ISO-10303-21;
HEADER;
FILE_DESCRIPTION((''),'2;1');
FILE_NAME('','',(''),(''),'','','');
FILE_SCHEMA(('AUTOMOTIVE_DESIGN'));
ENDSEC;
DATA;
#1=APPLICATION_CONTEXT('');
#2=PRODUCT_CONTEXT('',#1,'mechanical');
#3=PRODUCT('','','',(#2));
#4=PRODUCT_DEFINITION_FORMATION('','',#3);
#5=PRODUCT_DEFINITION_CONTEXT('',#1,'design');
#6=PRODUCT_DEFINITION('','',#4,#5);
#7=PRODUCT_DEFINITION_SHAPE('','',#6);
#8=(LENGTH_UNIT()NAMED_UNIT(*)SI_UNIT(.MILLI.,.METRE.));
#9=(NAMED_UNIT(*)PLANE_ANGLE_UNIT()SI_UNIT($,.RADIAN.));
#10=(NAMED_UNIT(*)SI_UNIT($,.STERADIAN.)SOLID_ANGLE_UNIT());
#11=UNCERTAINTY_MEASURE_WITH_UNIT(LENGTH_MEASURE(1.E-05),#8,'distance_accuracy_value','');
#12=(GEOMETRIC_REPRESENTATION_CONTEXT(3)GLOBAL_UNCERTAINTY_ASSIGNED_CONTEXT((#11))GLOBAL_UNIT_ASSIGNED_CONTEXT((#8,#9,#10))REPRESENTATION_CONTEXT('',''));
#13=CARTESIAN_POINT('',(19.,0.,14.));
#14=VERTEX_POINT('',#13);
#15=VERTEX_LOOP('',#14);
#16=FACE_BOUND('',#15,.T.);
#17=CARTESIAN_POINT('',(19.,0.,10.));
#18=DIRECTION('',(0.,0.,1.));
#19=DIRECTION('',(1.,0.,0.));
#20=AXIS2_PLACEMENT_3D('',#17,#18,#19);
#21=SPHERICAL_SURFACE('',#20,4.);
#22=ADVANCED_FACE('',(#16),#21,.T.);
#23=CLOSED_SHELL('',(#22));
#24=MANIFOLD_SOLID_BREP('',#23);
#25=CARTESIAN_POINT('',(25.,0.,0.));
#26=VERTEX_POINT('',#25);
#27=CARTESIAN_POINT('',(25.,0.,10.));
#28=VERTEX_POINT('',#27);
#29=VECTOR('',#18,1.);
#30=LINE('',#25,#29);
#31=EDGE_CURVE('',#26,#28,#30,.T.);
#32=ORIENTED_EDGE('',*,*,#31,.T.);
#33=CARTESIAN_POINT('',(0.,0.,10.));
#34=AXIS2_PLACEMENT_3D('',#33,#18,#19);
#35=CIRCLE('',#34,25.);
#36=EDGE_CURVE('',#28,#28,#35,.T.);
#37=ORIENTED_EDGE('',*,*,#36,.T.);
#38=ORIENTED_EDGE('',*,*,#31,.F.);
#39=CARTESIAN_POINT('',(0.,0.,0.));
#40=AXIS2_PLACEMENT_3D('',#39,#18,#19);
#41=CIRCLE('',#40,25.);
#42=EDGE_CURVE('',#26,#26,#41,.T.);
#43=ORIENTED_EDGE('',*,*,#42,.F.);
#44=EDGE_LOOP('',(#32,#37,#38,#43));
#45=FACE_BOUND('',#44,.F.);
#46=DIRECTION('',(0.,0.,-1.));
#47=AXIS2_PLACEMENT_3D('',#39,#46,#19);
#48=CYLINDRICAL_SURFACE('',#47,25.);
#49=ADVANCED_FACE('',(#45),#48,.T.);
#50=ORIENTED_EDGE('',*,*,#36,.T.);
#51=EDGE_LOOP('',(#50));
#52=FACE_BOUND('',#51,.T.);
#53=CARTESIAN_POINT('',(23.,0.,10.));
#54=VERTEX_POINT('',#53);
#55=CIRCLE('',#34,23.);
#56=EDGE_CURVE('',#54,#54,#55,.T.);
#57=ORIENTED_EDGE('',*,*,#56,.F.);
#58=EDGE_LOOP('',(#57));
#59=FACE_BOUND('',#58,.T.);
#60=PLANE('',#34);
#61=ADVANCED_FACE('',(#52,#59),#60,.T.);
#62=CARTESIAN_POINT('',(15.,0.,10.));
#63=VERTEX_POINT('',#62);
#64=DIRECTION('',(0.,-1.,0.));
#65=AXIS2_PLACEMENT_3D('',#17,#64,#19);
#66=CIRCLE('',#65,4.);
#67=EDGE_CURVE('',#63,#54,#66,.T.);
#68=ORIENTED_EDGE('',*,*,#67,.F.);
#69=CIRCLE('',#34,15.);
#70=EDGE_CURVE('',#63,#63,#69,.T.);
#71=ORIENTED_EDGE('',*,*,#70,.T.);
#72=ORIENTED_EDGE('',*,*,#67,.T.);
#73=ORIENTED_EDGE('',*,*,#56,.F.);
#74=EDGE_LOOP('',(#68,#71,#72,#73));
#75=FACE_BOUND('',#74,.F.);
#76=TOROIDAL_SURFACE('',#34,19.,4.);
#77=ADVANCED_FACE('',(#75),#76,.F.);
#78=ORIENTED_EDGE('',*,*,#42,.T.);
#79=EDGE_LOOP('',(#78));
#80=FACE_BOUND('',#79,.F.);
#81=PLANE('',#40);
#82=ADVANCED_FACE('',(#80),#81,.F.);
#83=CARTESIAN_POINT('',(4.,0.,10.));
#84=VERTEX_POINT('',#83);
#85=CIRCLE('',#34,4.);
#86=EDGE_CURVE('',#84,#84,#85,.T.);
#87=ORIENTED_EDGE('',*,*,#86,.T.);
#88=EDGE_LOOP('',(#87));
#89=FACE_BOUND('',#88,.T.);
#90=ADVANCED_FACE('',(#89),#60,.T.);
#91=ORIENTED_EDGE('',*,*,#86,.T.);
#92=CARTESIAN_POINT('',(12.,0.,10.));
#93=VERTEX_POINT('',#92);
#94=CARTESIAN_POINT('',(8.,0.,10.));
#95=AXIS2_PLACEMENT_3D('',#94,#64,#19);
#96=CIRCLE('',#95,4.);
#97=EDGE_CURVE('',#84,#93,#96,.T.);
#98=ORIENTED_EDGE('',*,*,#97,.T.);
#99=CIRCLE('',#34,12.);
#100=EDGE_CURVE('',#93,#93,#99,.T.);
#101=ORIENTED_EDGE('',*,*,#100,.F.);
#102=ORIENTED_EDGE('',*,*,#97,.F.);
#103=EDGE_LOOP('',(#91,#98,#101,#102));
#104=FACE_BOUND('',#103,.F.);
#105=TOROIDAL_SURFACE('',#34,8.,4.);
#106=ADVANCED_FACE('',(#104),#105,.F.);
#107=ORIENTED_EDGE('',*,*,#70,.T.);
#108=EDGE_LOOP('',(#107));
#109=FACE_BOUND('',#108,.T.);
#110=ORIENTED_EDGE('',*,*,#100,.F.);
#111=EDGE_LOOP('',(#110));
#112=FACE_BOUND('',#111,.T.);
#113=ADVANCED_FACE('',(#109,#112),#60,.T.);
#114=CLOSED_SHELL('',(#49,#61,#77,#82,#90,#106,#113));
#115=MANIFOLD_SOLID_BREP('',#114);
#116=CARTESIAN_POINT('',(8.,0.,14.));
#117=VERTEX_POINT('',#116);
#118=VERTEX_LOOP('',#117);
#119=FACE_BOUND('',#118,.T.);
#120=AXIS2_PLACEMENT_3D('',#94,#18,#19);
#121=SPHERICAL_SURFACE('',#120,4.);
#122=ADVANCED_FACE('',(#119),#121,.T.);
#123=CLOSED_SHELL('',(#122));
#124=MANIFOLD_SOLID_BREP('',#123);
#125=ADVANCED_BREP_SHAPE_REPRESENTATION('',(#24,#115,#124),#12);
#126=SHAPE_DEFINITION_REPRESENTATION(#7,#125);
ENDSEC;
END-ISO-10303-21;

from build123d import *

# Parameters (mm, degrees)
TORUS001_R     = 4
TORUS_R        = 4
CYLINDER_R     = 25
CYLINDER_DEPTH = 10


with BuildPart() as torus001:
    # Torus001 → Torus001 (revolve)
    with BuildSketch(Plane(origin=(0, 0, 10), x_dir=(1, 0, 0), z_dir=(0, -1, 0))):
        with Locations((8, 0)):
            Circle(TORUS001_R)
    revolve(axis=Axis((0, 0, 10), (0, 0, 1)))


with BuildPart() as torus:
    # Torus → Torus (revolve)
    with BuildSketch(Plane(origin=(0, 0, 10), x_dir=(1, 0, 0), z_dir=(0, -1, 0))):
        with Locations((19, 0)):
            Circle(TORUS_R)
    revolve(axis=Axis((0, 0, 10), (0, 0, 1)))


with BuildPart() as cut001:
    # Cylinder → Cylinder (new body)
    with BuildSketch(Plane.XY):
        Circle(CYLINDER_R)
    extrude(amount=CYLINDER_DEPTH)

    # Cut: cut Torus
    add(torus.part, mode=Mode.SUBTRACT)

    # Cut001: cut Torus001
    add(torus001.part, mode=Mode.SUBTRACT)


with BuildPart() as esfera:
    # Sphere → Sphere (revolve)
    with BuildSketch(Plane(origin=(8, 0, 10), x_dir=(1, 0, 0), z_dir=(0, -1, 0))):
        with BuildLine():
            ThreePointArc((0, -4), (4, 0), (0, 4))
            Line((0, 4), (0, -4))
        make_face()
    revolve(axis=Axis((8, 0, 10), (0, 0, 1)))


with BuildPart() as esfera001:
    # Sphere001 → Sphere001 (revolve)
    with BuildSketch(Plane(origin=(19, 0, 10), x_dir=(1, 0, 0), z_dir=(0, -1, 0))):
        with BuildLine():
            ThreePointArc((0, -4), (4, 0), (0, 4))
            Line((0, 4), (0, -4))
        make_face()
    revolve(axis=Axis((19, 0, 10), (0, 0, 1)))


solid = Compound([cut001.part, esfera.part, esfera001.part])
